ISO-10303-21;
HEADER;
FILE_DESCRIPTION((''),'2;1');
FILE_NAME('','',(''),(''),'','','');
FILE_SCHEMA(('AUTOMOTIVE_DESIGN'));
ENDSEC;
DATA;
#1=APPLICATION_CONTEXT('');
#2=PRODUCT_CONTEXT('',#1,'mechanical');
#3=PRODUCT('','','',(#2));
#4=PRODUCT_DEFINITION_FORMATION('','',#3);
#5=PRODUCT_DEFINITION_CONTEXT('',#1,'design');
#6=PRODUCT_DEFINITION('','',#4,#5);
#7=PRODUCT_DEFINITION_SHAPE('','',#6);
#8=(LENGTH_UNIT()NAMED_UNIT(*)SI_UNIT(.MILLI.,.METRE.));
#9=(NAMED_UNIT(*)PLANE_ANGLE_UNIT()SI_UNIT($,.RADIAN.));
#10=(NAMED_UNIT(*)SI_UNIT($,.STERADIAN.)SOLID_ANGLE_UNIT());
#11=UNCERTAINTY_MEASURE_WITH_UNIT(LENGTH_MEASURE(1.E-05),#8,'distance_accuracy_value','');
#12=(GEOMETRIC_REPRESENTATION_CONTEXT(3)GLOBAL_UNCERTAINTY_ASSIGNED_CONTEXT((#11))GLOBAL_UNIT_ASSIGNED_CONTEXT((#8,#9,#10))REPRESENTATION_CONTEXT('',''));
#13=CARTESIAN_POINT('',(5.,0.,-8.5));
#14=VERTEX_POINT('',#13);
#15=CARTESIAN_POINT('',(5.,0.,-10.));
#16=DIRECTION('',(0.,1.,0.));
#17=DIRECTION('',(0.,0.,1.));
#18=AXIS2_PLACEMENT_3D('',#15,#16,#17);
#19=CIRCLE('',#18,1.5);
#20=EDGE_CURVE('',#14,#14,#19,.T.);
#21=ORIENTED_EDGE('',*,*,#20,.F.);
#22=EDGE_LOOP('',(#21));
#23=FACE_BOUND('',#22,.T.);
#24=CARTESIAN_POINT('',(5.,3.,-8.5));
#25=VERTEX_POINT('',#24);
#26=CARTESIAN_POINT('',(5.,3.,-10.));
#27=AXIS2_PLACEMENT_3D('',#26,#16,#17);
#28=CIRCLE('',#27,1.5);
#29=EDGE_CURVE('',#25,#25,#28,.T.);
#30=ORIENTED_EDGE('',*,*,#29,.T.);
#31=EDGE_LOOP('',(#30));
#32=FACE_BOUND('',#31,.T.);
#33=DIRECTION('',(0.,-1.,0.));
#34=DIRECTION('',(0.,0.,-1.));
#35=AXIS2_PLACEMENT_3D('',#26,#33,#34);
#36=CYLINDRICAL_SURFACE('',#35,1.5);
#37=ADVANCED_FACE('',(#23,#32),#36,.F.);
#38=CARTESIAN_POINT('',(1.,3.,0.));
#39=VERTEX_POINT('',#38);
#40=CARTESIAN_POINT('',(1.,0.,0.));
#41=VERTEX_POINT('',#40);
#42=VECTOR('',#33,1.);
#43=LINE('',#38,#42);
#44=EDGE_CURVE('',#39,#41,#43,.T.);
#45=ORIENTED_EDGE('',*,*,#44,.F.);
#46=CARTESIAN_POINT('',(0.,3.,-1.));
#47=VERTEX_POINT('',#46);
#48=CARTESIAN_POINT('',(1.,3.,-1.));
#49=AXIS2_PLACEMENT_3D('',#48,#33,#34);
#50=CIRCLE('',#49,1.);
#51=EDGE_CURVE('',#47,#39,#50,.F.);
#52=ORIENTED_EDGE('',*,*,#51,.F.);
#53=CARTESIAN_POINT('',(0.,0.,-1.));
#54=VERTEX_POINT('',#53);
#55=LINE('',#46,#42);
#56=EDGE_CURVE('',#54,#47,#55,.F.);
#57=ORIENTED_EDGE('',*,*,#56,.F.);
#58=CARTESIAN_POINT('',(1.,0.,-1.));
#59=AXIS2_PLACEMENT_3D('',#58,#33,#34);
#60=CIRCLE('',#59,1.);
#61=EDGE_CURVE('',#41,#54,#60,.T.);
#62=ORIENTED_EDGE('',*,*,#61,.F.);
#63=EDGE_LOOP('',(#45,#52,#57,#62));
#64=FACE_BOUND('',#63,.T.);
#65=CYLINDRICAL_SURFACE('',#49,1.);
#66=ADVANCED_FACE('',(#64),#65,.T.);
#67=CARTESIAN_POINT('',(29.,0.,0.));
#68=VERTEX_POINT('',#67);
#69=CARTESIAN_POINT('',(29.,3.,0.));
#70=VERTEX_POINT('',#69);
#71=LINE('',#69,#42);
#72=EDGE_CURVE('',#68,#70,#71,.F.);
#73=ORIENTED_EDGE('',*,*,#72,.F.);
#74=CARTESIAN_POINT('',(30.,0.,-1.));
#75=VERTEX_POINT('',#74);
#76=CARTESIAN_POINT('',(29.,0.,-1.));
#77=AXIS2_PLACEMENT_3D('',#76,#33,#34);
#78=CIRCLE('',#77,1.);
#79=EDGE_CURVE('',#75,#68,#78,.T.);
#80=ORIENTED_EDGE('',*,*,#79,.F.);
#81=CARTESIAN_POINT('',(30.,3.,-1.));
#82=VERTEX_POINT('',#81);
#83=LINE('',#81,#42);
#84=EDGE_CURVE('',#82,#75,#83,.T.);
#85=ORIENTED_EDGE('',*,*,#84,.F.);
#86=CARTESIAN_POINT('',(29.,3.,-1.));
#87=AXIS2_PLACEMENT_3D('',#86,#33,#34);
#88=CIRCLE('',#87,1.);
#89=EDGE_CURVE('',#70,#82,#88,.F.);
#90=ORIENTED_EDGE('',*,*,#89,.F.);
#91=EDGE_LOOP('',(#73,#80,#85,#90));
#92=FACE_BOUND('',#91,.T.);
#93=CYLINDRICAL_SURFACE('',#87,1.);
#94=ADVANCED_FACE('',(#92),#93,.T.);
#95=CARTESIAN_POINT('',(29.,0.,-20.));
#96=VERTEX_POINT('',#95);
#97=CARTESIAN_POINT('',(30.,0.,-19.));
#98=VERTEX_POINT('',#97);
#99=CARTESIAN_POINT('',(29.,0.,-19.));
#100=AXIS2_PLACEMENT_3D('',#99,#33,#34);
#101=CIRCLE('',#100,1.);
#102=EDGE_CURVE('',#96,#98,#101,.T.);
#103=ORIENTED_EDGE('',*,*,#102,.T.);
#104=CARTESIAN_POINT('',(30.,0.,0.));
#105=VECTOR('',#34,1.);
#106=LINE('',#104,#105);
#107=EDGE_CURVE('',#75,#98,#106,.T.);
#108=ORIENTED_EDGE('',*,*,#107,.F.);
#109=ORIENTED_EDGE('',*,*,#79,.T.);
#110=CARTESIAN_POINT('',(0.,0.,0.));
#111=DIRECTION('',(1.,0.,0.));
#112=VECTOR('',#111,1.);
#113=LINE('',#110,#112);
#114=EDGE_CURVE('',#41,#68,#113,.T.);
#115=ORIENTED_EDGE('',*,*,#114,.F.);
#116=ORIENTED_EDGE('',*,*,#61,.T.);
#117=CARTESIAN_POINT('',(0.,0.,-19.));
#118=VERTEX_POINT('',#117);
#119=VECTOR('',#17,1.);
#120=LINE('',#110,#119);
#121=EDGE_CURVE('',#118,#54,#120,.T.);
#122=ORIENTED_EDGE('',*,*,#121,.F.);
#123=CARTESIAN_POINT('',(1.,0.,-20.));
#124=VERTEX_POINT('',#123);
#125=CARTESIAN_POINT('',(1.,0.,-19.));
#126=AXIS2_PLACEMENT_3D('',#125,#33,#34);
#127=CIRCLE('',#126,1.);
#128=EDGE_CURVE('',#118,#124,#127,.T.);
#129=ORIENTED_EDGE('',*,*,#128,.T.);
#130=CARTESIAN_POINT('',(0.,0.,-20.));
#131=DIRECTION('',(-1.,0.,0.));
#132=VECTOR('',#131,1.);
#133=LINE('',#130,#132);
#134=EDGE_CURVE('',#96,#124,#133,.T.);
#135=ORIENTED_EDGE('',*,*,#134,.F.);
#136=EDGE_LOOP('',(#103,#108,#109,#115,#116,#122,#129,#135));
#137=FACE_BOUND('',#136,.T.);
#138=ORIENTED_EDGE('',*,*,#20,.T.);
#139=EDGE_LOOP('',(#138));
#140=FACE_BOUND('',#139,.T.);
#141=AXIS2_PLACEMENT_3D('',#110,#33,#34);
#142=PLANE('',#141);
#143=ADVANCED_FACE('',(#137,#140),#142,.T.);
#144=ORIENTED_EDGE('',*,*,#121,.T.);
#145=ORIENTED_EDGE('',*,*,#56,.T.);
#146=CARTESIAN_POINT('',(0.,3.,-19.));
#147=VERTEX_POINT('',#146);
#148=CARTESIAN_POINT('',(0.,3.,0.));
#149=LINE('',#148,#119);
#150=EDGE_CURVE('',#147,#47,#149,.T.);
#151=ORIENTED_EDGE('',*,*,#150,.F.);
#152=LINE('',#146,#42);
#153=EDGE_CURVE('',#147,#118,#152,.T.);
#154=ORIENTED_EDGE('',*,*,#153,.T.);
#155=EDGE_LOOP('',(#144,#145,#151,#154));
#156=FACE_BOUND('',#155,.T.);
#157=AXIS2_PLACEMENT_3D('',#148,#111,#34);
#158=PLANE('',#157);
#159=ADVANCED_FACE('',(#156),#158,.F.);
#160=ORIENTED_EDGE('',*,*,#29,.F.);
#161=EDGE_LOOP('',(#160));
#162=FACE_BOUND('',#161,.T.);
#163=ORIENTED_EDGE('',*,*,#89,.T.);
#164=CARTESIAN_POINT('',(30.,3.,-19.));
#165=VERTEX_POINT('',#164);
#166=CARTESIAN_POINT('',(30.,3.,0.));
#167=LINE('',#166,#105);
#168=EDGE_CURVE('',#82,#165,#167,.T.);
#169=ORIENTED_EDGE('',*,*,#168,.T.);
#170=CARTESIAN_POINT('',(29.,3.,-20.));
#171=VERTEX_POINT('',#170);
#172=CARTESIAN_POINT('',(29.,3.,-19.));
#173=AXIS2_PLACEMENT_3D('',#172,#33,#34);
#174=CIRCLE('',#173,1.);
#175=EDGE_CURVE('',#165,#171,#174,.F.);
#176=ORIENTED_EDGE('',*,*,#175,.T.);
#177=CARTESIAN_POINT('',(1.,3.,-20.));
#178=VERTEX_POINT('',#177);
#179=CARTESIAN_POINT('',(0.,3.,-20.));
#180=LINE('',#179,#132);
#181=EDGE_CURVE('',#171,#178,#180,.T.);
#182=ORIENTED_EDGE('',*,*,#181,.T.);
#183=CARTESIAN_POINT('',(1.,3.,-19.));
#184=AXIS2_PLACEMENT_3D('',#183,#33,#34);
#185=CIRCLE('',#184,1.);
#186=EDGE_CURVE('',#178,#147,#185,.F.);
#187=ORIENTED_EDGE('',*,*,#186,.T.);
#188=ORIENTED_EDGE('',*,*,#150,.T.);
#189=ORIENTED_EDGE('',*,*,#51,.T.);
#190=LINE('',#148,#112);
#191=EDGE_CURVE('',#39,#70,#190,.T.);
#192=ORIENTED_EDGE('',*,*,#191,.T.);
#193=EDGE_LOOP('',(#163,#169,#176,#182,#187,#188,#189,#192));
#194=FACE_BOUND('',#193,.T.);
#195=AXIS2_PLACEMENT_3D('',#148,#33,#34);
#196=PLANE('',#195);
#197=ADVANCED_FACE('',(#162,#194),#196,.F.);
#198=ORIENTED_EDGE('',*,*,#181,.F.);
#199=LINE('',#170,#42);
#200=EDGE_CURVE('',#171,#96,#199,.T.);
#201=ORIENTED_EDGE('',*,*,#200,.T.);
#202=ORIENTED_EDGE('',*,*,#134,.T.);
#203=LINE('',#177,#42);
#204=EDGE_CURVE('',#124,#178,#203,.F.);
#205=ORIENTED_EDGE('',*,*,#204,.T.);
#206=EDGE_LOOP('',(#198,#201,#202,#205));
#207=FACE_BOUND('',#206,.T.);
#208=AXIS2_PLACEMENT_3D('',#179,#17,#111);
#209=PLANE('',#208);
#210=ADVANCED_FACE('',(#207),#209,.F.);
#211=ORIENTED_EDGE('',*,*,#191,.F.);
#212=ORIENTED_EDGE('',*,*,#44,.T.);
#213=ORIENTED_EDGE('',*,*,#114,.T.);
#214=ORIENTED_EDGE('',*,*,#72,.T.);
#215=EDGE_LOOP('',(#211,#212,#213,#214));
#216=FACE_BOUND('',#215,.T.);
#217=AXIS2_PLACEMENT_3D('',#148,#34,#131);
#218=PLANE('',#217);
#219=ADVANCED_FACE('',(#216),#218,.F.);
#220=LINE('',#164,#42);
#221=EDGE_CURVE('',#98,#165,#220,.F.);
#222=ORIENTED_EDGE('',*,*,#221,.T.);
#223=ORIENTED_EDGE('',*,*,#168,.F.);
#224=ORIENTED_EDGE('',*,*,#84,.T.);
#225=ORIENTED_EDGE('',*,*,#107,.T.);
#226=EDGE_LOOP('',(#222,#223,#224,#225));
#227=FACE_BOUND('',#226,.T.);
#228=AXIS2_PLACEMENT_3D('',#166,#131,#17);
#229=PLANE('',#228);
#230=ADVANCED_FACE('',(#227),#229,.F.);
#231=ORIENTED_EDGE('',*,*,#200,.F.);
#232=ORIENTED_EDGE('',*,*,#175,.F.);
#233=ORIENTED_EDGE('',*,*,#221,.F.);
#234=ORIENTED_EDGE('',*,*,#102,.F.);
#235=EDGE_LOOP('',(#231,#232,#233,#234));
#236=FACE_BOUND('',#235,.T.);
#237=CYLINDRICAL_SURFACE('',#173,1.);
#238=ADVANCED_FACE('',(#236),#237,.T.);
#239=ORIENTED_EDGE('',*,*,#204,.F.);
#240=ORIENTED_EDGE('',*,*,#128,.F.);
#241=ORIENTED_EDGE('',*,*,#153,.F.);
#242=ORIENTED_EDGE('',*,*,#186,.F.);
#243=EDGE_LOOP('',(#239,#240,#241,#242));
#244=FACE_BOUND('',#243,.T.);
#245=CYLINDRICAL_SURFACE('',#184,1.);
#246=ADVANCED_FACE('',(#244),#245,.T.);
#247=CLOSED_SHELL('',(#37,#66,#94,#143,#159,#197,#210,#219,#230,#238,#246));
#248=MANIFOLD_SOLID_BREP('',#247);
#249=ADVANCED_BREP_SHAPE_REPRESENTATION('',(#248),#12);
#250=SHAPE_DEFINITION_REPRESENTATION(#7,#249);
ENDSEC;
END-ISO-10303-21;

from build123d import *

# Parameters (mm, degrees)
SKETCH1_W           = 30
SKETCH1_H           = 20
SKETCH1_R           = 1.5
BOSS_EXTRUDE1_DEPTH = 3
FILLET1_R           = 1


with BuildPart() as part:
    # Sketch1 → Boss-Extrude1 (new body)
    with BuildSketch(Plane(origin=(0, 0, 0), x_dir=(1, 0, 0), z_dir=(0, 1, 0))):
        with Locations((15, 10)):
            Rectangle(SKETCH1_W, SKETCH1_H)
        with Locations((5, 10)):
            Circle(SKETCH1_R, mode=Mode.SUBTRACT)
    extrude(amount=BOSS_EXTRUDE1_DEPTH)

    # Fillet1
    fillet1_edges = [part.edges().sort_by_distance(p)[0] for p in [
        (0, 1.5, -20),
        (30, 1.5, -20),
        (30, 1.5, 0),
        (0, 1.5, 0),
    ]]
    fillet(fillet1_edges, radius=FILLET1_R)


solid = part.part
